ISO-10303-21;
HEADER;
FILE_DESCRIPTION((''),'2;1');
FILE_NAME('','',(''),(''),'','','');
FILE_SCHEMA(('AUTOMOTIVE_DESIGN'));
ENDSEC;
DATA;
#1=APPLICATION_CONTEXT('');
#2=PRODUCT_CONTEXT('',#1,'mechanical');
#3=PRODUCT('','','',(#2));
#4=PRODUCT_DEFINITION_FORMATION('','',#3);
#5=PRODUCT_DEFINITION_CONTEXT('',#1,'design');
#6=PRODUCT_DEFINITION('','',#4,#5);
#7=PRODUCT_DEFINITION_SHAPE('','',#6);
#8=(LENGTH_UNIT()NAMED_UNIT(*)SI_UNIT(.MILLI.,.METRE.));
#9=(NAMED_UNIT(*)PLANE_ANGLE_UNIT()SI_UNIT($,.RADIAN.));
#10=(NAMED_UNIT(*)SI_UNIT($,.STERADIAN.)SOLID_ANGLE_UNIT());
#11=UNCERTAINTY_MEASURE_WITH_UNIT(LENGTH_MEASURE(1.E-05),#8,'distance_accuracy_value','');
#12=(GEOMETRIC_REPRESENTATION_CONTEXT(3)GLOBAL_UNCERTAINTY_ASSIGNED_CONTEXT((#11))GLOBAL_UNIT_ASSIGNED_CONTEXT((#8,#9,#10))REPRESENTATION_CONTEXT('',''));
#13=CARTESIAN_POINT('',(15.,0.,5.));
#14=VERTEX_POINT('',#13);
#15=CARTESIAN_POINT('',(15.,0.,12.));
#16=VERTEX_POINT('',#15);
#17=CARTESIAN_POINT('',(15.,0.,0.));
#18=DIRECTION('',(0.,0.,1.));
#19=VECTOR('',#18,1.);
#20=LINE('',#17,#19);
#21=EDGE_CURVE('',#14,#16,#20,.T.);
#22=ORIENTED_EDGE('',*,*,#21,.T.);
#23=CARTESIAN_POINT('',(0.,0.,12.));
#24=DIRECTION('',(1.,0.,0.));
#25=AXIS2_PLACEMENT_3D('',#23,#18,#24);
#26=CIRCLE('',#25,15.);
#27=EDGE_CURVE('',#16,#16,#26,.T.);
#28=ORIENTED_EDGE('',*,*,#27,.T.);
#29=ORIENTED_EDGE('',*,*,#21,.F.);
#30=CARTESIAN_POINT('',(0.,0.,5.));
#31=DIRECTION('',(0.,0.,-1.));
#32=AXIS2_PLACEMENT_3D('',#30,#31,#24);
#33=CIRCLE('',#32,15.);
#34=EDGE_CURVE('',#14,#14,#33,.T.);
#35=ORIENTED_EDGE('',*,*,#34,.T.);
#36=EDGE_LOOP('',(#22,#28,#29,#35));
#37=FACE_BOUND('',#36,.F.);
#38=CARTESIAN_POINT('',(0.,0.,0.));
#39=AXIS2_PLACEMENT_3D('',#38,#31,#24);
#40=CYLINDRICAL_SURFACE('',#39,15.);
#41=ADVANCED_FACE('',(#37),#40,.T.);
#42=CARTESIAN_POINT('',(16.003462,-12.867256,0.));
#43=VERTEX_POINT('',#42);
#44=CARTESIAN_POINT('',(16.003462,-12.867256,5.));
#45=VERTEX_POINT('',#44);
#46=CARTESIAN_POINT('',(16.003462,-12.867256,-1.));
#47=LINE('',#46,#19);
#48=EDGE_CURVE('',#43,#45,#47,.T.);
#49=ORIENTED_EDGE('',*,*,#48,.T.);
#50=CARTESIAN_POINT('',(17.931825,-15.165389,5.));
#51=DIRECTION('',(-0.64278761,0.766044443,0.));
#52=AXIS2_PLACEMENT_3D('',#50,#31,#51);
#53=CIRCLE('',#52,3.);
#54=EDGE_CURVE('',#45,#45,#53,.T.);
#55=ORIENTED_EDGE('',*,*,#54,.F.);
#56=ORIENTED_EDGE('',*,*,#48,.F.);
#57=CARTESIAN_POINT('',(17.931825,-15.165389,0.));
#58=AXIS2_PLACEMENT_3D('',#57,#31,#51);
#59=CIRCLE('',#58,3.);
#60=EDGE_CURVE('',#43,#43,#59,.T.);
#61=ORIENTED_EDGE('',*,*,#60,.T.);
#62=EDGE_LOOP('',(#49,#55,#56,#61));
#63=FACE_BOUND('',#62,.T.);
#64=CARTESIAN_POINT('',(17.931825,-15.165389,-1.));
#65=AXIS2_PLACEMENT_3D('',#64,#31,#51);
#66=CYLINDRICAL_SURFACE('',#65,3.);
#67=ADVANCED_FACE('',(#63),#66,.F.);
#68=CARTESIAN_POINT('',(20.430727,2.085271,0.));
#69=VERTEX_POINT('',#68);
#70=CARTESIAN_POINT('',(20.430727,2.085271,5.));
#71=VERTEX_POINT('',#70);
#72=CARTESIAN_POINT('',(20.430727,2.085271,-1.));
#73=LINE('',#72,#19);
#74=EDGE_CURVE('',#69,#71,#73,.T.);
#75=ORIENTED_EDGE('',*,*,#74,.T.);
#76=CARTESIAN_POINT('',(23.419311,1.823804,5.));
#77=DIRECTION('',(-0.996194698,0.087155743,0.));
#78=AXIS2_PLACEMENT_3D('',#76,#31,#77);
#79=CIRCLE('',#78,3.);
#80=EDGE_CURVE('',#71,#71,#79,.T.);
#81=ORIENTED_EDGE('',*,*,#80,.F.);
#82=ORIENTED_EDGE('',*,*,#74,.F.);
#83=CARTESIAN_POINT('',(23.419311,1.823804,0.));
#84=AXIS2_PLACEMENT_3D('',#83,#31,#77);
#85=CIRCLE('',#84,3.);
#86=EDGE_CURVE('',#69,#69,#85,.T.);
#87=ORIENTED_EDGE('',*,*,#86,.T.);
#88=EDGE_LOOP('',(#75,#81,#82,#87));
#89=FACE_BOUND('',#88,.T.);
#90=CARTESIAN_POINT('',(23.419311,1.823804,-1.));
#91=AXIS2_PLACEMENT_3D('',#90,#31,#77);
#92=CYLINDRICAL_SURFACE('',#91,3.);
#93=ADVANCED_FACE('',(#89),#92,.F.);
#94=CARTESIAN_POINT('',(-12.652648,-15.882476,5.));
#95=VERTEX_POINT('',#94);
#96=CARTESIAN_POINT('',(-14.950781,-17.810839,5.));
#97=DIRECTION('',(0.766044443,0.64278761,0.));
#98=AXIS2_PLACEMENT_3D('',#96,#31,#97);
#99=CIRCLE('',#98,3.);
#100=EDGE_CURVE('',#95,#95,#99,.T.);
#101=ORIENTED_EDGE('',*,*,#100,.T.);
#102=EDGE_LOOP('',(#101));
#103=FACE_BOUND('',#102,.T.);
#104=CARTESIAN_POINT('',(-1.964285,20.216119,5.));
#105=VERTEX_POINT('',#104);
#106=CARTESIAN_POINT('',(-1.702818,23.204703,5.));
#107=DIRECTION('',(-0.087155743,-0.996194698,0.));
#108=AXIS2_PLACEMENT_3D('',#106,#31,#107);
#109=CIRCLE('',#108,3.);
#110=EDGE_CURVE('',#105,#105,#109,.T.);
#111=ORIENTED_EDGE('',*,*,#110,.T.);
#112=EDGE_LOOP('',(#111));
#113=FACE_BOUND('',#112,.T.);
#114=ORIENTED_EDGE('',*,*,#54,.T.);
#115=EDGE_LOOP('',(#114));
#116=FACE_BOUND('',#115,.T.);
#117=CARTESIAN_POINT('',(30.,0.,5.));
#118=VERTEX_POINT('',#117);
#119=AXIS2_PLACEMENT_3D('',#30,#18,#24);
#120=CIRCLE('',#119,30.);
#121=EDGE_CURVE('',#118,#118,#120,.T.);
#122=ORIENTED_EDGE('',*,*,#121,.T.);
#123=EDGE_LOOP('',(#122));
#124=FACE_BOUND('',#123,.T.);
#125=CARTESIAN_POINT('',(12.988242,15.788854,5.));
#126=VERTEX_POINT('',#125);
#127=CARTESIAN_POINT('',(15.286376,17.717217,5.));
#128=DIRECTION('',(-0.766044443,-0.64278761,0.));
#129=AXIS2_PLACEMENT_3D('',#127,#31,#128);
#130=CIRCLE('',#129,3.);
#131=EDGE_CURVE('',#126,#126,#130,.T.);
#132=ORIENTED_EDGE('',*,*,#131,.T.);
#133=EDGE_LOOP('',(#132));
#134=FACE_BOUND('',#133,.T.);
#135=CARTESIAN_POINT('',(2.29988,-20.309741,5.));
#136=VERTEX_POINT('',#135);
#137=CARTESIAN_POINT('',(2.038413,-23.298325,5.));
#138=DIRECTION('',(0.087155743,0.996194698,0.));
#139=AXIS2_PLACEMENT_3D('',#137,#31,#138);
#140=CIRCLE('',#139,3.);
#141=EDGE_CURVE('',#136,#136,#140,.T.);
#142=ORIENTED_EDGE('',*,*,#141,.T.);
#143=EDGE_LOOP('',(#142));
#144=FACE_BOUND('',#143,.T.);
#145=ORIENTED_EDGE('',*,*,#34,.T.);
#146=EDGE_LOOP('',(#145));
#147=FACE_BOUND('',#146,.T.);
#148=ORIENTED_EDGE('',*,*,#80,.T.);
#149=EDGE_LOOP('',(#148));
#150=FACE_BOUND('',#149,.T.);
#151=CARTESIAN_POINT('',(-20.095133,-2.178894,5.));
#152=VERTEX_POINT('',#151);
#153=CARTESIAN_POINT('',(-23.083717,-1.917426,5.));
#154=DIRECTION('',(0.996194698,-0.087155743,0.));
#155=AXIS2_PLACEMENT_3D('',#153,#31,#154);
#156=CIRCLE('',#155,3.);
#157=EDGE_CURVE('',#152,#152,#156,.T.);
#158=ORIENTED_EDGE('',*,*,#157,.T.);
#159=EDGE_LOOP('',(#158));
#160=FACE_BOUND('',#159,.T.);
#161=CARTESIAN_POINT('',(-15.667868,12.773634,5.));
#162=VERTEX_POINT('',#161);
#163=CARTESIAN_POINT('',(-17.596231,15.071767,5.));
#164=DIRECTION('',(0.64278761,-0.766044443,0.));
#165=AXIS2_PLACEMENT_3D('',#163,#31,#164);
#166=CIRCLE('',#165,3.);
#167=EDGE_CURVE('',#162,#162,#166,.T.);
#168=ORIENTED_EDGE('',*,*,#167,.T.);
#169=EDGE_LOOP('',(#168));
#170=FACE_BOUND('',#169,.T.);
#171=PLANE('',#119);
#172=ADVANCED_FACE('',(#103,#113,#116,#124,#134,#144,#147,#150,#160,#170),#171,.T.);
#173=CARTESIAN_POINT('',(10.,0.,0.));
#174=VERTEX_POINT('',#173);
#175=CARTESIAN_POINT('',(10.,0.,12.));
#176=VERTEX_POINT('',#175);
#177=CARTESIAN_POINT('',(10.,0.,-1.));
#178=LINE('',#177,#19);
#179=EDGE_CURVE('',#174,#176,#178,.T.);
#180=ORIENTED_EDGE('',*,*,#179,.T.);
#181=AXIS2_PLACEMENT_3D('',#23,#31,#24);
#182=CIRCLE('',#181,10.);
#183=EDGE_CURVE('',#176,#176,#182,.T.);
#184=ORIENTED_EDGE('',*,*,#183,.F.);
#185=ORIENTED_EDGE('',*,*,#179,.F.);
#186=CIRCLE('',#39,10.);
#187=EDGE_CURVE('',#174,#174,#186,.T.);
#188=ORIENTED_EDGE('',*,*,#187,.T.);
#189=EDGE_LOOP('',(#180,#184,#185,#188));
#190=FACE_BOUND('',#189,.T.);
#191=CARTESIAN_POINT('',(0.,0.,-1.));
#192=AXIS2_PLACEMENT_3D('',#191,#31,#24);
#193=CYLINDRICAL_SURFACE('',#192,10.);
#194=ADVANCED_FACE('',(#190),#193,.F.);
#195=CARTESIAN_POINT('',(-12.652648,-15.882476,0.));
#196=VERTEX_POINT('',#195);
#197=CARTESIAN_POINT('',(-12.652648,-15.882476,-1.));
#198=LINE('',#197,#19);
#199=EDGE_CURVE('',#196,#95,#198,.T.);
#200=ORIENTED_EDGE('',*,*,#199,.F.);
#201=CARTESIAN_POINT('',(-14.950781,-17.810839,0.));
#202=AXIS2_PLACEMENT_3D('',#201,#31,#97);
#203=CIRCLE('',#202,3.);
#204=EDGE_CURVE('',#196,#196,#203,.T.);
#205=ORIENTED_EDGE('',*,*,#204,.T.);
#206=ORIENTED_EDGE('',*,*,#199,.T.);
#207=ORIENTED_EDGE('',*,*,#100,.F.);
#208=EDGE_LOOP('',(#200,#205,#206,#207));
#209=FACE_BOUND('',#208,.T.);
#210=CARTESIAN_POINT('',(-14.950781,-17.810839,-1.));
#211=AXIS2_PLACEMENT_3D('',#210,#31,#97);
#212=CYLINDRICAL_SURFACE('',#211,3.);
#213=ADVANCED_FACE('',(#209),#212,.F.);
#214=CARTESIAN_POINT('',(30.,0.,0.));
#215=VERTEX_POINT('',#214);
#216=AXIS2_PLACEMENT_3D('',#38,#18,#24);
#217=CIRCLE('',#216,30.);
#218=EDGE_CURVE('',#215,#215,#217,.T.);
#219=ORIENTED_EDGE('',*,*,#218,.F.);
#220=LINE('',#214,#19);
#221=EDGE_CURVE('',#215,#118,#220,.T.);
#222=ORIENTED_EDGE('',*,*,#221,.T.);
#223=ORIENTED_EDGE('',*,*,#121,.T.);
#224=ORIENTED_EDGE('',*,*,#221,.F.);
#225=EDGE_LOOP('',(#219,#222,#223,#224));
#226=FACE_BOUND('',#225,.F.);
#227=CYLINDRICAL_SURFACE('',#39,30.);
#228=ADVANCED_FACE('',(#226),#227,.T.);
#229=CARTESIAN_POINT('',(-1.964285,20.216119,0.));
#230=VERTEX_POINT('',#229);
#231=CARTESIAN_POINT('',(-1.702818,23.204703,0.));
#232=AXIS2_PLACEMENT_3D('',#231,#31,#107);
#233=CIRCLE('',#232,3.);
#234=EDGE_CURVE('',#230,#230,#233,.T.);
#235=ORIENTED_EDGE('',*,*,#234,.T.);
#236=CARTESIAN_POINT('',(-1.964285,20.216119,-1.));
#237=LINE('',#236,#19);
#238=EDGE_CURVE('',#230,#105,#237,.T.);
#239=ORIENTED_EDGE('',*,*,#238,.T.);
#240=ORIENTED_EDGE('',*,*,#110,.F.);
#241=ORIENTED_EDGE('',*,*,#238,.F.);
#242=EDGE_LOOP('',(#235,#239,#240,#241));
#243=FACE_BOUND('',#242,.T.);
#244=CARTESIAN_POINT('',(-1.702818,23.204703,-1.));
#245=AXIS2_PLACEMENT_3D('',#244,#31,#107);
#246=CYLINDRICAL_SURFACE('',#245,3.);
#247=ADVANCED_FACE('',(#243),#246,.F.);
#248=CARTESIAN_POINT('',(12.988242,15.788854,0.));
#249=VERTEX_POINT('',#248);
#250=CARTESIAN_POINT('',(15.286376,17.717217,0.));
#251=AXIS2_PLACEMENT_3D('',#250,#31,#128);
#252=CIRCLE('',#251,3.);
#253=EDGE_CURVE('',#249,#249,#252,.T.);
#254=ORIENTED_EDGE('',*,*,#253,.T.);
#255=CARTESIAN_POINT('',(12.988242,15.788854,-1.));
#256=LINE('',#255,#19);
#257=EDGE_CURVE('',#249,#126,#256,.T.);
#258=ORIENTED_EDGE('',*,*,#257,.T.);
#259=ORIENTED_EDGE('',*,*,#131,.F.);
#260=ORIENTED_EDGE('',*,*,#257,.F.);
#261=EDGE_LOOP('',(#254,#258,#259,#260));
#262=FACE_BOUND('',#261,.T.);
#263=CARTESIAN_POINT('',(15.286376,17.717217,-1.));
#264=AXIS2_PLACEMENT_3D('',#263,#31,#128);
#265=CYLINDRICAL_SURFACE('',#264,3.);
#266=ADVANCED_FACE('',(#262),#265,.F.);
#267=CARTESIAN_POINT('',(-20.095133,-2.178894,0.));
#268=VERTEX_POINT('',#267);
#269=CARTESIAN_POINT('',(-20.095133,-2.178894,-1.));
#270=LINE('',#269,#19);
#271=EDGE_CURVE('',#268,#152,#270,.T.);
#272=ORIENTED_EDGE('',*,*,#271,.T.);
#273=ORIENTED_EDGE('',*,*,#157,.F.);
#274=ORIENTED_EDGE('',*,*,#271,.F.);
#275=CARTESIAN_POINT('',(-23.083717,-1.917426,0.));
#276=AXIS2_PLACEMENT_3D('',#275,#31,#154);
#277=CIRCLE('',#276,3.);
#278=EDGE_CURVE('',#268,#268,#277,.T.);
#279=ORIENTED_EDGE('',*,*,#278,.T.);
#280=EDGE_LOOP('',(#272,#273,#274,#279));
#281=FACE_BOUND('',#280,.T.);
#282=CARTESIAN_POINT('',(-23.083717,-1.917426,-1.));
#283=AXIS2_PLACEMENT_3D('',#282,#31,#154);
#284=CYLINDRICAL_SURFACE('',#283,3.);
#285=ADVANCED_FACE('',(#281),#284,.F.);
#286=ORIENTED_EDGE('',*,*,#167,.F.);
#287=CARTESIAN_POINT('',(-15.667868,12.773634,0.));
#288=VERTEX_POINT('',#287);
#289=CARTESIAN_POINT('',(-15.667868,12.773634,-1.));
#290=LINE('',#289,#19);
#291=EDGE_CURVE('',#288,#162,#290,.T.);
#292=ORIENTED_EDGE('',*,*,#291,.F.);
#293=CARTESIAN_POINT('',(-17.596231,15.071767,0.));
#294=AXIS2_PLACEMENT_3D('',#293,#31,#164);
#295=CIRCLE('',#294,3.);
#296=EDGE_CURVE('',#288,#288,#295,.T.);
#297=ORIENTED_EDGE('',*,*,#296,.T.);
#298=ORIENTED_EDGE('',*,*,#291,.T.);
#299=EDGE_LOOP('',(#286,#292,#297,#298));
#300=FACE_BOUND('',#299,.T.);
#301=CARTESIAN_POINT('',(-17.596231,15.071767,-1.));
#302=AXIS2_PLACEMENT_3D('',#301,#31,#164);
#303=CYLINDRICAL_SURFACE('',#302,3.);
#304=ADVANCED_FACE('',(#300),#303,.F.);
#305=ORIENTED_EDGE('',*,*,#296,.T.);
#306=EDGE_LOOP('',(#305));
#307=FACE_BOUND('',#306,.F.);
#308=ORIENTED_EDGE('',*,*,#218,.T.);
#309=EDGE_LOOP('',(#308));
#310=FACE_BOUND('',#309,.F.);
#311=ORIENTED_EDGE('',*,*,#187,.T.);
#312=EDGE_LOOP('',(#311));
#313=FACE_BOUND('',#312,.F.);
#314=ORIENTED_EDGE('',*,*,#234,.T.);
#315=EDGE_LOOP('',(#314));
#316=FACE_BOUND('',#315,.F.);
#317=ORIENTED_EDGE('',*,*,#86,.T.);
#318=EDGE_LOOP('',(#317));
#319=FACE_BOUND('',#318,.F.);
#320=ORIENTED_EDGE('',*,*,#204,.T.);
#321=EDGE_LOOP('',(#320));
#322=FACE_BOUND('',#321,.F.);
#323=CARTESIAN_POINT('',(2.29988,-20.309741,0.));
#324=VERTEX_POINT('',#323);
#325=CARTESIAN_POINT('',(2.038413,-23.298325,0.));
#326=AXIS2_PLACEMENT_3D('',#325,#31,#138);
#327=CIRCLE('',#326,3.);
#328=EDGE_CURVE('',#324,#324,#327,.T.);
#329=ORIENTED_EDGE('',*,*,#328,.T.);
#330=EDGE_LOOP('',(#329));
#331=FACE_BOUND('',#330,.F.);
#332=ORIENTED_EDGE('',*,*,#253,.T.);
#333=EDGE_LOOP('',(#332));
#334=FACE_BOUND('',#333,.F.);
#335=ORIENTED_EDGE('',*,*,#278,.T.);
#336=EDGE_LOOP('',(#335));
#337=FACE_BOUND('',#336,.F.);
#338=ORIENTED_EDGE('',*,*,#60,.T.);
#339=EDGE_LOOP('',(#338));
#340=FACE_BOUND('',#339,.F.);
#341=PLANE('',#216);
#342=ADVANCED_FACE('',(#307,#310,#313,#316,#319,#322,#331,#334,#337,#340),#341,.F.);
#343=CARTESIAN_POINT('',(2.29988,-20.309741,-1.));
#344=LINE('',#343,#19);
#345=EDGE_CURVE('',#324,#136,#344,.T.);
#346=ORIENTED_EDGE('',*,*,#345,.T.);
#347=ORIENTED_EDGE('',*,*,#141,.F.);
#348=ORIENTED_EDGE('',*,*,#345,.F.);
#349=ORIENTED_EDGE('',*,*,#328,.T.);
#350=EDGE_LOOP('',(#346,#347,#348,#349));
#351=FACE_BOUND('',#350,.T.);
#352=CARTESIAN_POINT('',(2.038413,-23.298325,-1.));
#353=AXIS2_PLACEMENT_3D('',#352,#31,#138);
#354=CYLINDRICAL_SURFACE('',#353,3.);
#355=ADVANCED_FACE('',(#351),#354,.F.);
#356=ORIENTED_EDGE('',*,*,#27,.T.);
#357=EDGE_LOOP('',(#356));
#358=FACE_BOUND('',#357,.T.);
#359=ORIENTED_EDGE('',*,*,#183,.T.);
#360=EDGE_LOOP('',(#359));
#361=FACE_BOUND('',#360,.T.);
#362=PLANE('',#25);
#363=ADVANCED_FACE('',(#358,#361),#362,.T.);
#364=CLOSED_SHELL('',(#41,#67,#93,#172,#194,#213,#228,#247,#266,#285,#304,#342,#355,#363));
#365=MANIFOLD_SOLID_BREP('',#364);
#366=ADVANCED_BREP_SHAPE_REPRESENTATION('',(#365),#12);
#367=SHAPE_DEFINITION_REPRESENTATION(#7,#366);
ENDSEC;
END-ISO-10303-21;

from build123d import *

# Parameters (mm, degrees)
CYLINDER003_R         = 3
CYLINDER003_DEPTH     = 10
ARRAY_COUNT           = 8
ARRAY_PLACEMENT_ANGLE = 355
CYLINDER002_R         = 10
CYLINDER002_DEPTH     = 30
CYLINDER001_R         = 15
CYLINDER001_DEPTH     = 12
CYLINDER_R            = 30
CYLINDER_DEPTH        = 5


with BuildPart() as array:
    # Cylinder003 → Cylinder003 (new body)
    with BuildSketch(Plane(origin=(22, 0, -1), x_dir=(1, 0, 0), z_dir=(0, 0, 1))):
        Circle(CYLINDER003_R)
    extrude(amount=CYLINDER003_DEPTH)

    # Array: Array ×8 about axis
    array_axis = Axis((45, 3.89, 0), (0, 0, 1))


with BuildPart() as array_1:
    add(array.part)
    for i in range(1, ARRAY_COUNT):
        add(array.part.rotate(array_axis, i * 360 / ARRAY_COUNT))


with BuildPart() as array_2:
    # Array placement: moved
    add(array_1.part.moved(Location((-45, 0, 0))).rotate(Axis((-45, 0, 0), (0, 0, 1)), ARRAY_PLACEMENT_ANGLE))


with BuildPart() as cylinder002:
    # Cylinder002 → Cylinder002 (new body)
    with BuildSketch(Plane.XY.offset(-1)):
        Circle(CYLINDER002_R)
    extrude(amount=CYLINDER002_DEPTH)


with BuildPart() as cylinder001:
    # Cylinder001 → Cylinder001 (new body)
    with BuildSketch(Plane.XY):
        Circle(CYLINDER001_R)
    extrude(amount=CYLINDER001_DEPTH)


with BuildPart() as cut001:
    # Cylinder → Cylinder (new body)
    with BuildSketch(Plane.XY):
        Circle(CYLINDER_R)
    extrude(amount=CYLINDER_DEPTH)

    # Fusion: union Cylinder001
    add(cylinder001.part)

    # Cut: cut Cylinder002
    add(cylinder002.part, mode=Mode.SUBTRACT)

    # Cut001: cut Array
    add(array_2.part, mode=Mode.SUBTRACT)


solid = cut001.part
